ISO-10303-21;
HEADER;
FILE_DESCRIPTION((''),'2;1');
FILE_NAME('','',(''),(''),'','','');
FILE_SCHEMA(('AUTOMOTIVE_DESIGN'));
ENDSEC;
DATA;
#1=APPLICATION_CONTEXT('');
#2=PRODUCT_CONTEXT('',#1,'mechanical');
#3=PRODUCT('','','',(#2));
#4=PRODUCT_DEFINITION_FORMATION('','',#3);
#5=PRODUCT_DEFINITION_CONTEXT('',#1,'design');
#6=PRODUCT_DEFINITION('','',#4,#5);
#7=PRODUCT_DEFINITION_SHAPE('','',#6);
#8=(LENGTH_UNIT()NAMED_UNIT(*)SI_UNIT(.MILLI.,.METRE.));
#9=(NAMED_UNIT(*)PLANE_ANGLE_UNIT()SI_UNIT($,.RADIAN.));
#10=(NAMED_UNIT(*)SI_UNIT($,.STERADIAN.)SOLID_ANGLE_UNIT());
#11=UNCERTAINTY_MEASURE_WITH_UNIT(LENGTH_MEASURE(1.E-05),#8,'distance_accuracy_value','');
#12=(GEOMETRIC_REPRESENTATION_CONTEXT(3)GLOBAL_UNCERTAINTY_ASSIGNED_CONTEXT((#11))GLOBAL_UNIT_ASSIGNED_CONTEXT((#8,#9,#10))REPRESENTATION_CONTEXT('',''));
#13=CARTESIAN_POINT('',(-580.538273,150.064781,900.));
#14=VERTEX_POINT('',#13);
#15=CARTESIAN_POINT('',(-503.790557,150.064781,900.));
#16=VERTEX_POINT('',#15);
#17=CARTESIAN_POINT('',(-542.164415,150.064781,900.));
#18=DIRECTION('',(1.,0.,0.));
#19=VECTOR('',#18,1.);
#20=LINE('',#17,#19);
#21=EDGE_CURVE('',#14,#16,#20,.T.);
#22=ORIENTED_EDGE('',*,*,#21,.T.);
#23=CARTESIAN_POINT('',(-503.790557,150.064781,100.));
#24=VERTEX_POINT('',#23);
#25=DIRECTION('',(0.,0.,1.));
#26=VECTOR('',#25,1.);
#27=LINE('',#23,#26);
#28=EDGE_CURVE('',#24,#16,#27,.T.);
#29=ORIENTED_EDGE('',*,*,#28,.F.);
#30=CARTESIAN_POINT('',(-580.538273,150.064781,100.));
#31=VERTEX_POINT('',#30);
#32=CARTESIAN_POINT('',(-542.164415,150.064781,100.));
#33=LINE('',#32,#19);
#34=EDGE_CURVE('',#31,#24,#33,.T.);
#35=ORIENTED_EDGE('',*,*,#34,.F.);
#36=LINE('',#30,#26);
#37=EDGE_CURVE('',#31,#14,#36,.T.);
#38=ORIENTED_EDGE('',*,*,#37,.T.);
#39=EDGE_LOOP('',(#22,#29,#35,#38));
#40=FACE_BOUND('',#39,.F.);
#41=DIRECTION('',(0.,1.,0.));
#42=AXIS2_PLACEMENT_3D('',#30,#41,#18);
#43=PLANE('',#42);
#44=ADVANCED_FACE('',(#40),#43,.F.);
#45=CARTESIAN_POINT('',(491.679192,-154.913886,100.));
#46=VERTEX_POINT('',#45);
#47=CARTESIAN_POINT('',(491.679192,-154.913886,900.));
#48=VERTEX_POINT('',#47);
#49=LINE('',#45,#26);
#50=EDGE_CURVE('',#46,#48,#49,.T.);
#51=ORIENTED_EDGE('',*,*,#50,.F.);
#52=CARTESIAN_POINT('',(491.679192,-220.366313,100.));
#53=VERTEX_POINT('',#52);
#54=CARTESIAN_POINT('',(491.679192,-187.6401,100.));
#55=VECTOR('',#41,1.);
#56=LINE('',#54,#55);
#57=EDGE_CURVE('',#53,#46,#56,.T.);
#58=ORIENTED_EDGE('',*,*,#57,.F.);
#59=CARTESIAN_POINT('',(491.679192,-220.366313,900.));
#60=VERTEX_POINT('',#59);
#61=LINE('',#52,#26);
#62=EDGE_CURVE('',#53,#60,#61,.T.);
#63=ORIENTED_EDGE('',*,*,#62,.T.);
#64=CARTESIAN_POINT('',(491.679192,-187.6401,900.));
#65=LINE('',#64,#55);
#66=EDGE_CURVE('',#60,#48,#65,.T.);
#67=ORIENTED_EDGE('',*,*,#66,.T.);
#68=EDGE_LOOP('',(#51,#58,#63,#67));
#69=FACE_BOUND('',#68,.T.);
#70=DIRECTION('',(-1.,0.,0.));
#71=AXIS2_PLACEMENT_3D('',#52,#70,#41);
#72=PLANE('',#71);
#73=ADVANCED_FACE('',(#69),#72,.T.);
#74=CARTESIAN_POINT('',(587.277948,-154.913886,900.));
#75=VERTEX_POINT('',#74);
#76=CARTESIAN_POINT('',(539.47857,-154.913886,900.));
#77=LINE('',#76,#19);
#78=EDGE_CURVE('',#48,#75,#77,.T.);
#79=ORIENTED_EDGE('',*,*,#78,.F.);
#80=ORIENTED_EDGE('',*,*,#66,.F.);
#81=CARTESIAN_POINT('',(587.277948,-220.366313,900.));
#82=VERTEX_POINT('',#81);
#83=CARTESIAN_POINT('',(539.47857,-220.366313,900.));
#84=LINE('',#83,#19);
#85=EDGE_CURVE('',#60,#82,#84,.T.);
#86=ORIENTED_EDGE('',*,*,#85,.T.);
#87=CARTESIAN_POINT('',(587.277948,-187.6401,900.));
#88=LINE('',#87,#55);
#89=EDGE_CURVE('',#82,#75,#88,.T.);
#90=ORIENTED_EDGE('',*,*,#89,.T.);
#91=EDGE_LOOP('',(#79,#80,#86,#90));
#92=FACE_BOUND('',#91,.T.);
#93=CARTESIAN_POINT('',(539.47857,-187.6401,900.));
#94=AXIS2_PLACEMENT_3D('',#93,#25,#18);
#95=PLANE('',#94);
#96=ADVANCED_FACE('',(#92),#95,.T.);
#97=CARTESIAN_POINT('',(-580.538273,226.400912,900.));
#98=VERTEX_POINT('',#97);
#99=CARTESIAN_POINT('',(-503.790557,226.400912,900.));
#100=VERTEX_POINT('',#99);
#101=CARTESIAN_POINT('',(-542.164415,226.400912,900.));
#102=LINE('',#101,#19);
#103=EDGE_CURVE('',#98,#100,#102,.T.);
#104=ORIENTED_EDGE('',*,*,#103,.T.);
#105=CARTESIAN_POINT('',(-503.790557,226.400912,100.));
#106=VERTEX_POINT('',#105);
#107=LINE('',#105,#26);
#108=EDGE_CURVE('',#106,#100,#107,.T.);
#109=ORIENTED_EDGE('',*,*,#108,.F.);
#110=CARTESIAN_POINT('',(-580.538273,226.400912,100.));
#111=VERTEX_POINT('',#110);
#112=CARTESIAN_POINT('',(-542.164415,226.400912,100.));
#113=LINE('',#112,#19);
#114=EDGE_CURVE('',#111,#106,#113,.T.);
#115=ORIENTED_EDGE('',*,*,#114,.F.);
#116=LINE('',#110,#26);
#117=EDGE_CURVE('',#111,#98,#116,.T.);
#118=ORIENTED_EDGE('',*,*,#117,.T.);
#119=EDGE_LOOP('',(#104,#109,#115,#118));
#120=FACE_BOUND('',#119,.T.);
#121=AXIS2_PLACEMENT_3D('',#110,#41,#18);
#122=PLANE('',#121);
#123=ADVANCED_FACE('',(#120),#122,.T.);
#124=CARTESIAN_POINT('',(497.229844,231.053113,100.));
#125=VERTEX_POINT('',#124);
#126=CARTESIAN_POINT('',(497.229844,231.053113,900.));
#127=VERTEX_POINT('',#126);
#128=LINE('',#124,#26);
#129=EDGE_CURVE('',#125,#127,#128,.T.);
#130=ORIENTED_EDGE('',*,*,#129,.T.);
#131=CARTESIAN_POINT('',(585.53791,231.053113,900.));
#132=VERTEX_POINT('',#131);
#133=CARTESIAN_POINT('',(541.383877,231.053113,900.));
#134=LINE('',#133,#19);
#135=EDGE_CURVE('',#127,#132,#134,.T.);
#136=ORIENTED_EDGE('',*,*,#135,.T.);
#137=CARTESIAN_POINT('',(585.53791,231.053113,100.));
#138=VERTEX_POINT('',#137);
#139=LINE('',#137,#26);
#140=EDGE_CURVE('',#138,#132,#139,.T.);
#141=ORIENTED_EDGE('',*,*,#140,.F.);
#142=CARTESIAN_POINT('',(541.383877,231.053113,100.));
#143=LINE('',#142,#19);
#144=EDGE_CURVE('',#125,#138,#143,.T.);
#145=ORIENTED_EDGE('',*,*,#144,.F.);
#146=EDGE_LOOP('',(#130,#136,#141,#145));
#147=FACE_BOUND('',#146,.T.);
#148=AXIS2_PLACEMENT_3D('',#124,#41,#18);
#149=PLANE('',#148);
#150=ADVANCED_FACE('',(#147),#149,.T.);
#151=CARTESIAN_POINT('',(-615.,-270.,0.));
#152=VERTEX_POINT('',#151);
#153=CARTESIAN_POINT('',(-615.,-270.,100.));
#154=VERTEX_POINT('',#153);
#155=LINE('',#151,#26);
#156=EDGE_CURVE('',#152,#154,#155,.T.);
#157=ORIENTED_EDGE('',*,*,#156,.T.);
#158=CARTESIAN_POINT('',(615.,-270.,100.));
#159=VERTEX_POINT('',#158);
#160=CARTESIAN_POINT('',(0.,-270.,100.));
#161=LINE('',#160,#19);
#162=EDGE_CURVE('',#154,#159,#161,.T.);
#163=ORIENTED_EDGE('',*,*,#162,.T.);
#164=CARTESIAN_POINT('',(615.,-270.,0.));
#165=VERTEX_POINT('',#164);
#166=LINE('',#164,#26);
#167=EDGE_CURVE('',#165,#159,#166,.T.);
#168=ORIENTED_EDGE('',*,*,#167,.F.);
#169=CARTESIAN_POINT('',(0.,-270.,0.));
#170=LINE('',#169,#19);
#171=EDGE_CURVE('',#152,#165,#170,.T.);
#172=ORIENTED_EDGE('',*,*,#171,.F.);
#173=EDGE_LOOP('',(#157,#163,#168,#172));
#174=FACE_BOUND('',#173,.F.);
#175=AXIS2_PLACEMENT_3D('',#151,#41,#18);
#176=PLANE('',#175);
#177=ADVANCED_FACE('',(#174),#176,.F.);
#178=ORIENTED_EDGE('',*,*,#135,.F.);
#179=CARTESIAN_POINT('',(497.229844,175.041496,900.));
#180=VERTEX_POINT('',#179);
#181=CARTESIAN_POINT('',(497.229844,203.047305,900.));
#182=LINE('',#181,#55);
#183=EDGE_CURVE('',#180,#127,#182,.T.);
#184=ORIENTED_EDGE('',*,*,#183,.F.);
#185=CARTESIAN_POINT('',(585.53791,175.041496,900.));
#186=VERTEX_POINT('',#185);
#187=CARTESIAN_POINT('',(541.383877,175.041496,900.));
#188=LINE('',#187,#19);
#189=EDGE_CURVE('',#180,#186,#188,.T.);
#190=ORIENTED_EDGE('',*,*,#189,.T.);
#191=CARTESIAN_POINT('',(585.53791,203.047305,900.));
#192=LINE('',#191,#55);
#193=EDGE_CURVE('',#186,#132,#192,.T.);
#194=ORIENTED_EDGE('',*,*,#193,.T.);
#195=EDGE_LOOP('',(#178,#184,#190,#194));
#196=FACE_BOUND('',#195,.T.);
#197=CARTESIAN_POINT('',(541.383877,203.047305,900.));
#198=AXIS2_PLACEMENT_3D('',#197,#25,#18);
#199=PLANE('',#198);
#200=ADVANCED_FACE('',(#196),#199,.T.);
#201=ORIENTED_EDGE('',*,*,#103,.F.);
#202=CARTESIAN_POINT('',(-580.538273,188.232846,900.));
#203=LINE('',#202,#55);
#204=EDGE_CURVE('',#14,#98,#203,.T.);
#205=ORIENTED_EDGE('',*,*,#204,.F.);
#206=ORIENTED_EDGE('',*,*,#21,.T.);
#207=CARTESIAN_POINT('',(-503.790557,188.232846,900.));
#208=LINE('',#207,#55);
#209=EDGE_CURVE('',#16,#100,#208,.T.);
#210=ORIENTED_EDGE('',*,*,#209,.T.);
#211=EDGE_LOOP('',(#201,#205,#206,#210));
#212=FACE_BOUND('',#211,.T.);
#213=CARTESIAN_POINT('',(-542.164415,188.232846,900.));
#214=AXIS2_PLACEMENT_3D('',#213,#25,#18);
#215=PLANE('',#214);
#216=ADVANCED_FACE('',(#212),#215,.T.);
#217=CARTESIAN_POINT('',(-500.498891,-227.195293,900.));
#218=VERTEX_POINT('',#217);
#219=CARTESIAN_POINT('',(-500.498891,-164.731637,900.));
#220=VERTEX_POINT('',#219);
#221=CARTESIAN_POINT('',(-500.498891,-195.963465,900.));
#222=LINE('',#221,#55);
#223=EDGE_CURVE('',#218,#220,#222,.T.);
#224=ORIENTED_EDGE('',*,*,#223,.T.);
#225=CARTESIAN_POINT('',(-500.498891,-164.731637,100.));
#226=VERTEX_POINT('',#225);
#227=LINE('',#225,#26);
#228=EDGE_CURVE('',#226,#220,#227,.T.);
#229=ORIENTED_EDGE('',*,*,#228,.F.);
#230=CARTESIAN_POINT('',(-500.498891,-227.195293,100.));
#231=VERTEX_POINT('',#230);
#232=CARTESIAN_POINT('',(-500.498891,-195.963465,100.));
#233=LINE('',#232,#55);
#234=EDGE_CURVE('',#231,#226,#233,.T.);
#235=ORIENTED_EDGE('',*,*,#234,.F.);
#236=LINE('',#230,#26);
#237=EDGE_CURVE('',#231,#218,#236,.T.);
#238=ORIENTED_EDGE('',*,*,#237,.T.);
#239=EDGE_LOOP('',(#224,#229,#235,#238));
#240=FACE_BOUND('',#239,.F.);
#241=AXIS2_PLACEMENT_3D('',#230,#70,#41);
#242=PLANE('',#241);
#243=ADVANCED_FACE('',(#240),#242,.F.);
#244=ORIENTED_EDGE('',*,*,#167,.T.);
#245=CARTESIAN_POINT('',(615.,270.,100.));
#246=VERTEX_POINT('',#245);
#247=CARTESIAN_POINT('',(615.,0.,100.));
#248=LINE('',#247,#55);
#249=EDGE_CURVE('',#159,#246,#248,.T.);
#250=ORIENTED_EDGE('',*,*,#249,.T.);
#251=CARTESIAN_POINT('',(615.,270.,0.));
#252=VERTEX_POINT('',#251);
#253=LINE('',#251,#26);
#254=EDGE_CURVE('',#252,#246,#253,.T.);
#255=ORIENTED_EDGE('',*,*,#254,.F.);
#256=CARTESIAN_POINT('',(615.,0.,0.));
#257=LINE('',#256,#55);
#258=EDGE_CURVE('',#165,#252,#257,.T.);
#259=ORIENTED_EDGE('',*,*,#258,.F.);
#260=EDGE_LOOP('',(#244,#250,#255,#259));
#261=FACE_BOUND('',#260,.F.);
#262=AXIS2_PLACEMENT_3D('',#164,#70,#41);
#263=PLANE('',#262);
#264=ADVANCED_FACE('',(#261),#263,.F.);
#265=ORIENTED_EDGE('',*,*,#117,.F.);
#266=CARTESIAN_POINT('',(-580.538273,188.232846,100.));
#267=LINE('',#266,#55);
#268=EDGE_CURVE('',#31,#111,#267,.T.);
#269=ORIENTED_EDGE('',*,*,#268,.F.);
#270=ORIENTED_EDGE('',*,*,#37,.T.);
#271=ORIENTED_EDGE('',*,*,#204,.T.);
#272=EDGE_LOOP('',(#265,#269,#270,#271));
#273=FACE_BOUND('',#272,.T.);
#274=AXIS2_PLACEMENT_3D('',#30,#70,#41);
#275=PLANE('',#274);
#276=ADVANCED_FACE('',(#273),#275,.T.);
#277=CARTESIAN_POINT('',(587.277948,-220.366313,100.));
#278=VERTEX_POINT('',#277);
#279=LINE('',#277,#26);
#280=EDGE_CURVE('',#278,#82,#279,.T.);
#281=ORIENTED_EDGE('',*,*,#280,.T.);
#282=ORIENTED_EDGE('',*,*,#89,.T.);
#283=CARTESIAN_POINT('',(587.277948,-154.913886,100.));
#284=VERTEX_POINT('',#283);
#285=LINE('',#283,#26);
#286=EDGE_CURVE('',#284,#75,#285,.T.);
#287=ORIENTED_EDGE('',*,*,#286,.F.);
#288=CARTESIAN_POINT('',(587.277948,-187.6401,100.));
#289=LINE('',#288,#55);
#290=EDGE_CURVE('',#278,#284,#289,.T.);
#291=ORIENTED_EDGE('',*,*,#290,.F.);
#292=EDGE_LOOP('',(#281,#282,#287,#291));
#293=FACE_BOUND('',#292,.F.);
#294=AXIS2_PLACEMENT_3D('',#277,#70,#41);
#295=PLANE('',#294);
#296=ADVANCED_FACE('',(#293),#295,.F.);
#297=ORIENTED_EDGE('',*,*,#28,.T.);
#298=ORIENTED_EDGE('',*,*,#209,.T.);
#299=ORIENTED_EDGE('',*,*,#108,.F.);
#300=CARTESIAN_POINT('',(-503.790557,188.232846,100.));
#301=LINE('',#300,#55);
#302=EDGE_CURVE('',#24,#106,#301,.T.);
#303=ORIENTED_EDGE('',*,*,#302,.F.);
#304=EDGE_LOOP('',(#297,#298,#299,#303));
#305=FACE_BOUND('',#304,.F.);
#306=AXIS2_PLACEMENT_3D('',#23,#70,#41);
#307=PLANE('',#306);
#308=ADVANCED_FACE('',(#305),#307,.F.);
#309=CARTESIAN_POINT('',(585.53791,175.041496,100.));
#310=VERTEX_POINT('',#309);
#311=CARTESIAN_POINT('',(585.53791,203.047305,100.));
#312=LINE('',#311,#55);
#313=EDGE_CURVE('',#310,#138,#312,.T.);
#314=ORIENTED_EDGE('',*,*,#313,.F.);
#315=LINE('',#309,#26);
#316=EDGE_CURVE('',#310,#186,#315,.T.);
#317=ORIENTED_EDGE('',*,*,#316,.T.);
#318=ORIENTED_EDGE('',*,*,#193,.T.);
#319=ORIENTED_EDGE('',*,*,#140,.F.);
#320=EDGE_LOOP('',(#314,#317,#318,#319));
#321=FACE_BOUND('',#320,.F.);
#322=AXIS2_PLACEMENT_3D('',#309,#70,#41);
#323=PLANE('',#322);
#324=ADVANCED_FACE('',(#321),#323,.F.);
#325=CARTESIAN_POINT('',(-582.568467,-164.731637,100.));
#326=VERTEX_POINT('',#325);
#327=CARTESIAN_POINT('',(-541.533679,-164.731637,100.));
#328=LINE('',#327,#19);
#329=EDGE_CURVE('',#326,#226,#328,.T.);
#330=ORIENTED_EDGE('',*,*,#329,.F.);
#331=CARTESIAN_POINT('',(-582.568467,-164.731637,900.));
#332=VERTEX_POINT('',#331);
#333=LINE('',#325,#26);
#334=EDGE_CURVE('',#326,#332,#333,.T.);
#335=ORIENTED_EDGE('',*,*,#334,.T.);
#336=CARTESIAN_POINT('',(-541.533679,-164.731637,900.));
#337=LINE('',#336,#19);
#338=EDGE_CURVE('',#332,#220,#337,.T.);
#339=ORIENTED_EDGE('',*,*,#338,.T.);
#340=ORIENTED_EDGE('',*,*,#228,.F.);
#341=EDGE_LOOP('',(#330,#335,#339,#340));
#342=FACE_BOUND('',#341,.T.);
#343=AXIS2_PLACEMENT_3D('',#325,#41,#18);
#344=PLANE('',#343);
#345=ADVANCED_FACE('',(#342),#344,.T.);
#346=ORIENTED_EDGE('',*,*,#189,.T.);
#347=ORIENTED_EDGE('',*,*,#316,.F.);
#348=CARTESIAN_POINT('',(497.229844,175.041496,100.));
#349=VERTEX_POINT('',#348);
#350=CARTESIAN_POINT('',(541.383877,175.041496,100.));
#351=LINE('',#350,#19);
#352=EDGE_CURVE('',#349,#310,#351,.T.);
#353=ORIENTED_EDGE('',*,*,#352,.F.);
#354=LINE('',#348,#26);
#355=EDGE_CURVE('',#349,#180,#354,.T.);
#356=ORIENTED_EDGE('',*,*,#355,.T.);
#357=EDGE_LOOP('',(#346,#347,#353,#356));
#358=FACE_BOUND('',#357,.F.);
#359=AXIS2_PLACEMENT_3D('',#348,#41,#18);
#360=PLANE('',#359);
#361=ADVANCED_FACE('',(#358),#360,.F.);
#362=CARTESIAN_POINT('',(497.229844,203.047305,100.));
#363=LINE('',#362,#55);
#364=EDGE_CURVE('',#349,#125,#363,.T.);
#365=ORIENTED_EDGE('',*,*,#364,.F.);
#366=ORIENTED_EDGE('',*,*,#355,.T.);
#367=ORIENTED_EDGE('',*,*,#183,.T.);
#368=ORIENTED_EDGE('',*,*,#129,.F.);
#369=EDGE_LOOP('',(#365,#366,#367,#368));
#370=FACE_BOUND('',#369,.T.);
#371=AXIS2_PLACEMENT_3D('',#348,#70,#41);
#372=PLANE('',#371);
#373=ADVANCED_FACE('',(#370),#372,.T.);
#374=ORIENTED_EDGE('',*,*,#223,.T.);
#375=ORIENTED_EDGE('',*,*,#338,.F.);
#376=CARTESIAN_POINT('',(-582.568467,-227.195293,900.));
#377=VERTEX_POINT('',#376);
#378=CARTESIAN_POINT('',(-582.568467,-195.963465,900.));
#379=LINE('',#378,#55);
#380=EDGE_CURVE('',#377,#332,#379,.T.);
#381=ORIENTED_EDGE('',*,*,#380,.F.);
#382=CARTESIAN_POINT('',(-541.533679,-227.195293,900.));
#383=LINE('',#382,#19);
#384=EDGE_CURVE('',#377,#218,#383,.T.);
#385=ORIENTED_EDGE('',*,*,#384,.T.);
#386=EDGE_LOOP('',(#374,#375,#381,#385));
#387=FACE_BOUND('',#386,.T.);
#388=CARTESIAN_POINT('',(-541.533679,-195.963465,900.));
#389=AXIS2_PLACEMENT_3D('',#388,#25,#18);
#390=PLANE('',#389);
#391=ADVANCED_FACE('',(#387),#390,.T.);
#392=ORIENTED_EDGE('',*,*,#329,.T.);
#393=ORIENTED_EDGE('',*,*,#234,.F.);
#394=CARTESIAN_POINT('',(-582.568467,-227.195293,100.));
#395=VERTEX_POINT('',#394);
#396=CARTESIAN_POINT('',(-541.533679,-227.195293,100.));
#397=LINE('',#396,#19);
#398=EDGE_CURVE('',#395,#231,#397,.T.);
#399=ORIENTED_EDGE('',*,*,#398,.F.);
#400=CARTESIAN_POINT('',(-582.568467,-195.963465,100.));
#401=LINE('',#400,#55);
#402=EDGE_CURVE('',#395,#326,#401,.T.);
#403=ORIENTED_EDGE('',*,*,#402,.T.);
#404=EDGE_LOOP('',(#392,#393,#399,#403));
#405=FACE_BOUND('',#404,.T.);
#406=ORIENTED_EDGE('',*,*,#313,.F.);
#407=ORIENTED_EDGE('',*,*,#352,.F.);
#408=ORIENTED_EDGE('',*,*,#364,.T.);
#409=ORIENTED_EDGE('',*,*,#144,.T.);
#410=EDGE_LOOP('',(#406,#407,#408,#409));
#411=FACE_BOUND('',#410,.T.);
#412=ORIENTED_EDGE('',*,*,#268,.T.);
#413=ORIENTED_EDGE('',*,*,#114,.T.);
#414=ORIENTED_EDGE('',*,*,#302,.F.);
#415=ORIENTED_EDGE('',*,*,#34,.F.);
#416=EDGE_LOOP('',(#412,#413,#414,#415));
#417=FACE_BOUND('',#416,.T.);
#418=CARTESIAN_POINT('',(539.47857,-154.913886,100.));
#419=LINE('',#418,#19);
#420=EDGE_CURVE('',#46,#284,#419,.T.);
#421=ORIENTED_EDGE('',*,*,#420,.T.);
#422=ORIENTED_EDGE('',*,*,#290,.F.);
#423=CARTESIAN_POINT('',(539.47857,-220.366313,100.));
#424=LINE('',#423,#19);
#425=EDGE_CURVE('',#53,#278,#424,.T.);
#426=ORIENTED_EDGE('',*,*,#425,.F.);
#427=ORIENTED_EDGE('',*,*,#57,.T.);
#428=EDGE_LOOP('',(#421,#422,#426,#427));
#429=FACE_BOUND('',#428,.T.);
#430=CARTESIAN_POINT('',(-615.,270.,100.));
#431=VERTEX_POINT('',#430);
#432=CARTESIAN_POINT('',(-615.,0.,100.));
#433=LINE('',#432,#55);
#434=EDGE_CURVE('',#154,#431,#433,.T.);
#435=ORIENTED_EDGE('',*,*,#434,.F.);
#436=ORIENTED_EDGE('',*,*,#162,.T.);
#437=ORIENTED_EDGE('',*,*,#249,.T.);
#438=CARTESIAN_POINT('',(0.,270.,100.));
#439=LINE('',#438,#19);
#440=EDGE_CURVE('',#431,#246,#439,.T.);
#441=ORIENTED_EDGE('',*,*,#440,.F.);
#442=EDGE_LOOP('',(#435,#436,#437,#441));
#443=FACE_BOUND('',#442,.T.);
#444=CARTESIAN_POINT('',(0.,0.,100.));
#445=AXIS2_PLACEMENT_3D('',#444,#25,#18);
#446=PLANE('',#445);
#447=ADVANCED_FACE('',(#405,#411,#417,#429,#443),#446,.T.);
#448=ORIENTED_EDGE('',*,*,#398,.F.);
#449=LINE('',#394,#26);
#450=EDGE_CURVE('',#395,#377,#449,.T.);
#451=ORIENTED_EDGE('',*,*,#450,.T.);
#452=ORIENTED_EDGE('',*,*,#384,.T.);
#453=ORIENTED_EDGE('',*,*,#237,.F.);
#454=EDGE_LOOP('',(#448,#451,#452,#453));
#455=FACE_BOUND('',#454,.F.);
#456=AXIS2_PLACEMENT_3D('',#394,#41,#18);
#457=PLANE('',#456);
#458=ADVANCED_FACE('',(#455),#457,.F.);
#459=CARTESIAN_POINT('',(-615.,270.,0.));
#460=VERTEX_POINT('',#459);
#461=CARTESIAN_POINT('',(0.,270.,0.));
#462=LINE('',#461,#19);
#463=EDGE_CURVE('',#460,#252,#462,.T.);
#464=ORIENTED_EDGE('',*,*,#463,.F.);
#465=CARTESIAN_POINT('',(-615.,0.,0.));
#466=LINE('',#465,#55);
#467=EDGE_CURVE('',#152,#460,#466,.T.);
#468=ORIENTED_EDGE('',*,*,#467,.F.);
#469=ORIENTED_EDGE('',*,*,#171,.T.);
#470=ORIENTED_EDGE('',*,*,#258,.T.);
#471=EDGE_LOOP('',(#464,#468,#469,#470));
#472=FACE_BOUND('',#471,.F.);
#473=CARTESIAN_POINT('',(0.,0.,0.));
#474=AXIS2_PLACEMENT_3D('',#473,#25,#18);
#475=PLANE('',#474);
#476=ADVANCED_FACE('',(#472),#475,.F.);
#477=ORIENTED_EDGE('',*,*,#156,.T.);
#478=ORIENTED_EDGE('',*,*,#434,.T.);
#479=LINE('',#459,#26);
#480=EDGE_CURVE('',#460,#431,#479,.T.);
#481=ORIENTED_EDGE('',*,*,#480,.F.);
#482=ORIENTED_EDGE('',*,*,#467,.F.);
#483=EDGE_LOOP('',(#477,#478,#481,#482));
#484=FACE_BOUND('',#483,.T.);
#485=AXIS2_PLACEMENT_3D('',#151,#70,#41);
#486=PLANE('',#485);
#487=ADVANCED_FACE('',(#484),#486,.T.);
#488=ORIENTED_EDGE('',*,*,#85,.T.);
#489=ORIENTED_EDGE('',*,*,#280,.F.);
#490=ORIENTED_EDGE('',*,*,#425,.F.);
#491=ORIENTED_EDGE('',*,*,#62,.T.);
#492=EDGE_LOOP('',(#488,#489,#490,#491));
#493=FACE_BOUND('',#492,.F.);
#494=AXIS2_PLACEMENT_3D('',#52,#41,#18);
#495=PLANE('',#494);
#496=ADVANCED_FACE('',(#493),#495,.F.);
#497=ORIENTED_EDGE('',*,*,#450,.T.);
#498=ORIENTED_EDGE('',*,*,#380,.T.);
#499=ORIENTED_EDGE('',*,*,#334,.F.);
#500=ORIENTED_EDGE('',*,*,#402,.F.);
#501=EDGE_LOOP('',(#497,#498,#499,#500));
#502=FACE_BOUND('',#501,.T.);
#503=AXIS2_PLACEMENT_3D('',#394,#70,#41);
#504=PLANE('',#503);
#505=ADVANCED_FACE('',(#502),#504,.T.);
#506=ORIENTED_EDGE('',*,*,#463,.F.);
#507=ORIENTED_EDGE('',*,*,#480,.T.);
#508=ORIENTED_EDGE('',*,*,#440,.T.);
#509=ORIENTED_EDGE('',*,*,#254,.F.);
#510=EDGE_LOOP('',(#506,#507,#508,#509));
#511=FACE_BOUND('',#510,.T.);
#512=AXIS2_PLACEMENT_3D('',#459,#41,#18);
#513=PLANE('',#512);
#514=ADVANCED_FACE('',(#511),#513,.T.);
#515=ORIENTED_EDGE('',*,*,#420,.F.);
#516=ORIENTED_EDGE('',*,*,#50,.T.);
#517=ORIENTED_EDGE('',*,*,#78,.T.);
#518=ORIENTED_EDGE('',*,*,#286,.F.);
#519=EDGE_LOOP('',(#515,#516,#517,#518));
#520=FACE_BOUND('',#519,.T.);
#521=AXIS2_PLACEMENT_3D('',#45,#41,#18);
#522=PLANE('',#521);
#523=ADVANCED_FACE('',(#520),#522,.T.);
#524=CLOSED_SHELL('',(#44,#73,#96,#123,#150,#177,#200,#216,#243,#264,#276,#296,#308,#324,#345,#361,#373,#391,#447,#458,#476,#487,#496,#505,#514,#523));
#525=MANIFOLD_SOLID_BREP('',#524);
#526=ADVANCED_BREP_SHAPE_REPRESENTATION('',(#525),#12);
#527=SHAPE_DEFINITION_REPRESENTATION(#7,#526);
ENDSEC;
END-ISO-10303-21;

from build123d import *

# Parameters (mm, degrees)
F0_W     = 1230
F0_H     = 540
F1_DEPTH = 100
F2_W     = 76.747716
F2_H     = 76.336131
F2_W_2   = 82.069576
F2_H_2   = 62.463656
F2_W_3   = 88.308066
F2_H_3   = 56.011617
F2_W_4   = 95.598757
F2_H_4   = 65.452427
F3_DEPTH = 800


with BuildPart() as f1:
    # F0 (on Top) → F1 (new body)
    with BuildSketch(Plane.XY):
        Rectangle(F0_W, F0_H)
    extrude(amount=F1_DEPTH)

    # F2 (on face) → F3 (join)
    with BuildSketch(Plane.XY.offset(100)):
        with Locations((-542.164415, 188.232846)):
            Rectangle(F2_W, F2_H)
        with Locations((-541.533679, -195.963465)):
            Rectangle(F2_W_2, F2_H_2)
        with Locations((541.383877, 203.047305)):
            Rectangle(F2_W_3, F2_H_3)
        with Locations((539.47857, -187.6401)):
            Rectangle(F2_W_4, F2_H_4)
    extrude(amount=F3_DEPTH)


solid = f1.part
